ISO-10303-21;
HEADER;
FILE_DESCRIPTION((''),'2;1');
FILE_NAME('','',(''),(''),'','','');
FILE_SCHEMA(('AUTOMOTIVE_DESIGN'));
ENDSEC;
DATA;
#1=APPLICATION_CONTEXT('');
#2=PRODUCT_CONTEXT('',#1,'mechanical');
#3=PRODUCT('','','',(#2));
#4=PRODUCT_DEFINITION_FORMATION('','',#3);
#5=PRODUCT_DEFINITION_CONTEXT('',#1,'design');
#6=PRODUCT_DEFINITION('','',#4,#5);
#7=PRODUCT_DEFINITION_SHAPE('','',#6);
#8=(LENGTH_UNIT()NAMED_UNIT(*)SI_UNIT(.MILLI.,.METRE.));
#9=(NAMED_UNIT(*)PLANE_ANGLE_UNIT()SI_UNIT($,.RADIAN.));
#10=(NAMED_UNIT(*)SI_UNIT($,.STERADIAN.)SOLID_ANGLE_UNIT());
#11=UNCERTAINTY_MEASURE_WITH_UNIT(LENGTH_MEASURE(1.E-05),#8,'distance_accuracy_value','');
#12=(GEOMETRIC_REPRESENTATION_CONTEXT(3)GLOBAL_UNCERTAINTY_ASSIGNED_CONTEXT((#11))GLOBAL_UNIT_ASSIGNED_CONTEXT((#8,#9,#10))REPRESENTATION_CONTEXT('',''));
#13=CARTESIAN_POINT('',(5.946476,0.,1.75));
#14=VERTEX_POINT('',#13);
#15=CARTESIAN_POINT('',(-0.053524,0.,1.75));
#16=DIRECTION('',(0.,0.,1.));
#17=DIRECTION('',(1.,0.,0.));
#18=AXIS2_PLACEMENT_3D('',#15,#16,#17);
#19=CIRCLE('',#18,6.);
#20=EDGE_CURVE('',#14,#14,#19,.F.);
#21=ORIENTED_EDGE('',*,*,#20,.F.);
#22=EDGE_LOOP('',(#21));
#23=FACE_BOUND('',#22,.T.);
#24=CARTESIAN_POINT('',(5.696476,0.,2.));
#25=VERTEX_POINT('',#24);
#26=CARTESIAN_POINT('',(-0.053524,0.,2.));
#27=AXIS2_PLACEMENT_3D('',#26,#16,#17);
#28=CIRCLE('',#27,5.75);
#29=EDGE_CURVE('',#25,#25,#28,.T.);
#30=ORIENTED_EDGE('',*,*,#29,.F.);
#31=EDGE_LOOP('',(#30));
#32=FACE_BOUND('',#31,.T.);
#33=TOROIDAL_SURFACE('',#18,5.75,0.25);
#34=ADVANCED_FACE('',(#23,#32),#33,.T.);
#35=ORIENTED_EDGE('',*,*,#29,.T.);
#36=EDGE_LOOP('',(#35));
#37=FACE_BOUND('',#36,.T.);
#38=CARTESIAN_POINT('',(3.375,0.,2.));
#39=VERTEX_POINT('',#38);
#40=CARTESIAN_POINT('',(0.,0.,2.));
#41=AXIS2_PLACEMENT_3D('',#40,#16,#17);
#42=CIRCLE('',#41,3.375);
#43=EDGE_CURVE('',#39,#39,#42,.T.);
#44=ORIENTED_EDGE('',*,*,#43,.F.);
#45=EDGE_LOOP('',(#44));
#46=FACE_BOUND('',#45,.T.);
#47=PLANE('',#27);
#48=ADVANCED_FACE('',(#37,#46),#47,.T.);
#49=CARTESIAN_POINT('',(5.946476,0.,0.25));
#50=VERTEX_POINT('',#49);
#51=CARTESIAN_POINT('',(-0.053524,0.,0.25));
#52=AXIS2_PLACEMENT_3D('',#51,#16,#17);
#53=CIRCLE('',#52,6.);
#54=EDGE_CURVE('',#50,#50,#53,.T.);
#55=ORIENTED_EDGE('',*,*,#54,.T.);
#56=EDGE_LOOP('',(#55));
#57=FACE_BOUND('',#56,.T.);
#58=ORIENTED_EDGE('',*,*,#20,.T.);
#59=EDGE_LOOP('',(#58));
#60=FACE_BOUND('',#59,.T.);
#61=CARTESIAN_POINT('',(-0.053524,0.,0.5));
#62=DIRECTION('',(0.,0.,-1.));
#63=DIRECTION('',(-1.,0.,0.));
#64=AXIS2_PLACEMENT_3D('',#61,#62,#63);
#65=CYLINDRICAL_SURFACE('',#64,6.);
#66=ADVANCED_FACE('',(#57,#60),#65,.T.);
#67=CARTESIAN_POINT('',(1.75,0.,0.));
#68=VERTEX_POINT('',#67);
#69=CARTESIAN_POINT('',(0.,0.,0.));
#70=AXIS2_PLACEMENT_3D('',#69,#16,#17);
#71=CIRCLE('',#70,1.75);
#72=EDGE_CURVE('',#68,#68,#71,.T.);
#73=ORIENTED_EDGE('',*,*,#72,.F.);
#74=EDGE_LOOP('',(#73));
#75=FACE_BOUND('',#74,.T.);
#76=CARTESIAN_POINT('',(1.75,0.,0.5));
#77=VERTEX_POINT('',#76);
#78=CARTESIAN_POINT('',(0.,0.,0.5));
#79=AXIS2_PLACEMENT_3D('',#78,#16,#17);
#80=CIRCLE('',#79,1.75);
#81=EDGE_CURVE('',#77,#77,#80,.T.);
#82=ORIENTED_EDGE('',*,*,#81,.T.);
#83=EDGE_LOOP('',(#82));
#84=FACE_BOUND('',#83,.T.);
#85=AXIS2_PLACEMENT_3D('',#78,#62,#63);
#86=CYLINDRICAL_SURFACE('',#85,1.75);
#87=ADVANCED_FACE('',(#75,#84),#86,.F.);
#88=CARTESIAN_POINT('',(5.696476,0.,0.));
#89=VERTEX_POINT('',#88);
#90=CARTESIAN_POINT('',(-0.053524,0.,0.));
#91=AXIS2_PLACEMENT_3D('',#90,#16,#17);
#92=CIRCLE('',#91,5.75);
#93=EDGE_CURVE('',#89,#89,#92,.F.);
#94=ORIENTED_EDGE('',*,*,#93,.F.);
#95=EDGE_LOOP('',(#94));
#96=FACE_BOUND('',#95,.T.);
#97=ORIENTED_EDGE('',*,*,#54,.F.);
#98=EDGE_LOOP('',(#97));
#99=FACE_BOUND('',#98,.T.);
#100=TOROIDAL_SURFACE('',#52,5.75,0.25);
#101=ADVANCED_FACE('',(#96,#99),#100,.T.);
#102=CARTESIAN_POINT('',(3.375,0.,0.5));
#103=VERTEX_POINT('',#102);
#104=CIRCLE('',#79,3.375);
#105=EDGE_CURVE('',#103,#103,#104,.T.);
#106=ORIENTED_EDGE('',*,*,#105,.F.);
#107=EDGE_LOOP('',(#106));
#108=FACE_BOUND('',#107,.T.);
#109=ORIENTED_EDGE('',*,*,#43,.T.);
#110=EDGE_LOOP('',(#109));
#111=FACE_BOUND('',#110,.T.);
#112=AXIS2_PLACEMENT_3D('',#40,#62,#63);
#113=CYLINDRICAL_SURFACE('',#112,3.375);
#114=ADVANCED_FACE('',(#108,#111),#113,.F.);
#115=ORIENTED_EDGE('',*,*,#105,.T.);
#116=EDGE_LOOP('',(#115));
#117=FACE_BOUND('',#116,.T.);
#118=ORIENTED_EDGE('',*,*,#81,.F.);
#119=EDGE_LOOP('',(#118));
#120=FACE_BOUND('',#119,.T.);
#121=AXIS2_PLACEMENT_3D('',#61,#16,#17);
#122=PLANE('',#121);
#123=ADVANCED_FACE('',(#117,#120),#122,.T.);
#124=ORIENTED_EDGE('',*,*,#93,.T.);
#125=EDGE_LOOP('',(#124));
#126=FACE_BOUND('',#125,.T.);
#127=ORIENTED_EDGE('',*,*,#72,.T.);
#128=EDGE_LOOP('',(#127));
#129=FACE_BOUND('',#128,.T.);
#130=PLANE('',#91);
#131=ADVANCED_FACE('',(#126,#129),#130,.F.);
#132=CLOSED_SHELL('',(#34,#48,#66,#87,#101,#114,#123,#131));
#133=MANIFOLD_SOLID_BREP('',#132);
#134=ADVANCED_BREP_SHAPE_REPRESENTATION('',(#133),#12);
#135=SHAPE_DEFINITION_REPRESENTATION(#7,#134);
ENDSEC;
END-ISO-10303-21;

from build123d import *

# Parameters (mm, degrees)
SKETCH1_R           = 6
SKETCH1_R_2         = 1.75
BOSS_EXTRUDE1_DEPTH = 0.5
SKETCH2_R           = 6
SKETCH2_R_2         = 3.375
BOSS_EXTRUDE2_DEPTH = 1.5
FILLET1_R           = 0.25


with BuildPart() as part:
    # Sketch1 → Boss-Extrude1 (new body)
    with BuildSketch(Plane.XY):
        with Locations((-0.053524078, 0)):
            Circle(SKETCH1_R)
        Circle(SKETCH1_R_2, mode=Mode.SUBTRACT)
    extrude(amount=BOSS_EXTRUDE1_DEPTH)

    # Sketch2 → Boss-Extrude2 (add)
    with BuildSketch(Plane.XY.offset(0.5)):
        with Locations((-0.053524078, 0)):
            Circle(SKETCH2_R)
        Circle(SKETCH2_R_2, mode=Mode.SUBTRACT)
    extrude(amount=BOSS_EXTRUDE2_DEPTH)

    # Fillet1
    fillet1_edges = [part.edges().sort_by_distance(p)[0] for p in [
        (-6.053524078, 0, 2),
        (-6.053524078, 0, 0),
    ]]
    fillet(fillet1_edges, radius=FILLET1_R)


solid = part.part
